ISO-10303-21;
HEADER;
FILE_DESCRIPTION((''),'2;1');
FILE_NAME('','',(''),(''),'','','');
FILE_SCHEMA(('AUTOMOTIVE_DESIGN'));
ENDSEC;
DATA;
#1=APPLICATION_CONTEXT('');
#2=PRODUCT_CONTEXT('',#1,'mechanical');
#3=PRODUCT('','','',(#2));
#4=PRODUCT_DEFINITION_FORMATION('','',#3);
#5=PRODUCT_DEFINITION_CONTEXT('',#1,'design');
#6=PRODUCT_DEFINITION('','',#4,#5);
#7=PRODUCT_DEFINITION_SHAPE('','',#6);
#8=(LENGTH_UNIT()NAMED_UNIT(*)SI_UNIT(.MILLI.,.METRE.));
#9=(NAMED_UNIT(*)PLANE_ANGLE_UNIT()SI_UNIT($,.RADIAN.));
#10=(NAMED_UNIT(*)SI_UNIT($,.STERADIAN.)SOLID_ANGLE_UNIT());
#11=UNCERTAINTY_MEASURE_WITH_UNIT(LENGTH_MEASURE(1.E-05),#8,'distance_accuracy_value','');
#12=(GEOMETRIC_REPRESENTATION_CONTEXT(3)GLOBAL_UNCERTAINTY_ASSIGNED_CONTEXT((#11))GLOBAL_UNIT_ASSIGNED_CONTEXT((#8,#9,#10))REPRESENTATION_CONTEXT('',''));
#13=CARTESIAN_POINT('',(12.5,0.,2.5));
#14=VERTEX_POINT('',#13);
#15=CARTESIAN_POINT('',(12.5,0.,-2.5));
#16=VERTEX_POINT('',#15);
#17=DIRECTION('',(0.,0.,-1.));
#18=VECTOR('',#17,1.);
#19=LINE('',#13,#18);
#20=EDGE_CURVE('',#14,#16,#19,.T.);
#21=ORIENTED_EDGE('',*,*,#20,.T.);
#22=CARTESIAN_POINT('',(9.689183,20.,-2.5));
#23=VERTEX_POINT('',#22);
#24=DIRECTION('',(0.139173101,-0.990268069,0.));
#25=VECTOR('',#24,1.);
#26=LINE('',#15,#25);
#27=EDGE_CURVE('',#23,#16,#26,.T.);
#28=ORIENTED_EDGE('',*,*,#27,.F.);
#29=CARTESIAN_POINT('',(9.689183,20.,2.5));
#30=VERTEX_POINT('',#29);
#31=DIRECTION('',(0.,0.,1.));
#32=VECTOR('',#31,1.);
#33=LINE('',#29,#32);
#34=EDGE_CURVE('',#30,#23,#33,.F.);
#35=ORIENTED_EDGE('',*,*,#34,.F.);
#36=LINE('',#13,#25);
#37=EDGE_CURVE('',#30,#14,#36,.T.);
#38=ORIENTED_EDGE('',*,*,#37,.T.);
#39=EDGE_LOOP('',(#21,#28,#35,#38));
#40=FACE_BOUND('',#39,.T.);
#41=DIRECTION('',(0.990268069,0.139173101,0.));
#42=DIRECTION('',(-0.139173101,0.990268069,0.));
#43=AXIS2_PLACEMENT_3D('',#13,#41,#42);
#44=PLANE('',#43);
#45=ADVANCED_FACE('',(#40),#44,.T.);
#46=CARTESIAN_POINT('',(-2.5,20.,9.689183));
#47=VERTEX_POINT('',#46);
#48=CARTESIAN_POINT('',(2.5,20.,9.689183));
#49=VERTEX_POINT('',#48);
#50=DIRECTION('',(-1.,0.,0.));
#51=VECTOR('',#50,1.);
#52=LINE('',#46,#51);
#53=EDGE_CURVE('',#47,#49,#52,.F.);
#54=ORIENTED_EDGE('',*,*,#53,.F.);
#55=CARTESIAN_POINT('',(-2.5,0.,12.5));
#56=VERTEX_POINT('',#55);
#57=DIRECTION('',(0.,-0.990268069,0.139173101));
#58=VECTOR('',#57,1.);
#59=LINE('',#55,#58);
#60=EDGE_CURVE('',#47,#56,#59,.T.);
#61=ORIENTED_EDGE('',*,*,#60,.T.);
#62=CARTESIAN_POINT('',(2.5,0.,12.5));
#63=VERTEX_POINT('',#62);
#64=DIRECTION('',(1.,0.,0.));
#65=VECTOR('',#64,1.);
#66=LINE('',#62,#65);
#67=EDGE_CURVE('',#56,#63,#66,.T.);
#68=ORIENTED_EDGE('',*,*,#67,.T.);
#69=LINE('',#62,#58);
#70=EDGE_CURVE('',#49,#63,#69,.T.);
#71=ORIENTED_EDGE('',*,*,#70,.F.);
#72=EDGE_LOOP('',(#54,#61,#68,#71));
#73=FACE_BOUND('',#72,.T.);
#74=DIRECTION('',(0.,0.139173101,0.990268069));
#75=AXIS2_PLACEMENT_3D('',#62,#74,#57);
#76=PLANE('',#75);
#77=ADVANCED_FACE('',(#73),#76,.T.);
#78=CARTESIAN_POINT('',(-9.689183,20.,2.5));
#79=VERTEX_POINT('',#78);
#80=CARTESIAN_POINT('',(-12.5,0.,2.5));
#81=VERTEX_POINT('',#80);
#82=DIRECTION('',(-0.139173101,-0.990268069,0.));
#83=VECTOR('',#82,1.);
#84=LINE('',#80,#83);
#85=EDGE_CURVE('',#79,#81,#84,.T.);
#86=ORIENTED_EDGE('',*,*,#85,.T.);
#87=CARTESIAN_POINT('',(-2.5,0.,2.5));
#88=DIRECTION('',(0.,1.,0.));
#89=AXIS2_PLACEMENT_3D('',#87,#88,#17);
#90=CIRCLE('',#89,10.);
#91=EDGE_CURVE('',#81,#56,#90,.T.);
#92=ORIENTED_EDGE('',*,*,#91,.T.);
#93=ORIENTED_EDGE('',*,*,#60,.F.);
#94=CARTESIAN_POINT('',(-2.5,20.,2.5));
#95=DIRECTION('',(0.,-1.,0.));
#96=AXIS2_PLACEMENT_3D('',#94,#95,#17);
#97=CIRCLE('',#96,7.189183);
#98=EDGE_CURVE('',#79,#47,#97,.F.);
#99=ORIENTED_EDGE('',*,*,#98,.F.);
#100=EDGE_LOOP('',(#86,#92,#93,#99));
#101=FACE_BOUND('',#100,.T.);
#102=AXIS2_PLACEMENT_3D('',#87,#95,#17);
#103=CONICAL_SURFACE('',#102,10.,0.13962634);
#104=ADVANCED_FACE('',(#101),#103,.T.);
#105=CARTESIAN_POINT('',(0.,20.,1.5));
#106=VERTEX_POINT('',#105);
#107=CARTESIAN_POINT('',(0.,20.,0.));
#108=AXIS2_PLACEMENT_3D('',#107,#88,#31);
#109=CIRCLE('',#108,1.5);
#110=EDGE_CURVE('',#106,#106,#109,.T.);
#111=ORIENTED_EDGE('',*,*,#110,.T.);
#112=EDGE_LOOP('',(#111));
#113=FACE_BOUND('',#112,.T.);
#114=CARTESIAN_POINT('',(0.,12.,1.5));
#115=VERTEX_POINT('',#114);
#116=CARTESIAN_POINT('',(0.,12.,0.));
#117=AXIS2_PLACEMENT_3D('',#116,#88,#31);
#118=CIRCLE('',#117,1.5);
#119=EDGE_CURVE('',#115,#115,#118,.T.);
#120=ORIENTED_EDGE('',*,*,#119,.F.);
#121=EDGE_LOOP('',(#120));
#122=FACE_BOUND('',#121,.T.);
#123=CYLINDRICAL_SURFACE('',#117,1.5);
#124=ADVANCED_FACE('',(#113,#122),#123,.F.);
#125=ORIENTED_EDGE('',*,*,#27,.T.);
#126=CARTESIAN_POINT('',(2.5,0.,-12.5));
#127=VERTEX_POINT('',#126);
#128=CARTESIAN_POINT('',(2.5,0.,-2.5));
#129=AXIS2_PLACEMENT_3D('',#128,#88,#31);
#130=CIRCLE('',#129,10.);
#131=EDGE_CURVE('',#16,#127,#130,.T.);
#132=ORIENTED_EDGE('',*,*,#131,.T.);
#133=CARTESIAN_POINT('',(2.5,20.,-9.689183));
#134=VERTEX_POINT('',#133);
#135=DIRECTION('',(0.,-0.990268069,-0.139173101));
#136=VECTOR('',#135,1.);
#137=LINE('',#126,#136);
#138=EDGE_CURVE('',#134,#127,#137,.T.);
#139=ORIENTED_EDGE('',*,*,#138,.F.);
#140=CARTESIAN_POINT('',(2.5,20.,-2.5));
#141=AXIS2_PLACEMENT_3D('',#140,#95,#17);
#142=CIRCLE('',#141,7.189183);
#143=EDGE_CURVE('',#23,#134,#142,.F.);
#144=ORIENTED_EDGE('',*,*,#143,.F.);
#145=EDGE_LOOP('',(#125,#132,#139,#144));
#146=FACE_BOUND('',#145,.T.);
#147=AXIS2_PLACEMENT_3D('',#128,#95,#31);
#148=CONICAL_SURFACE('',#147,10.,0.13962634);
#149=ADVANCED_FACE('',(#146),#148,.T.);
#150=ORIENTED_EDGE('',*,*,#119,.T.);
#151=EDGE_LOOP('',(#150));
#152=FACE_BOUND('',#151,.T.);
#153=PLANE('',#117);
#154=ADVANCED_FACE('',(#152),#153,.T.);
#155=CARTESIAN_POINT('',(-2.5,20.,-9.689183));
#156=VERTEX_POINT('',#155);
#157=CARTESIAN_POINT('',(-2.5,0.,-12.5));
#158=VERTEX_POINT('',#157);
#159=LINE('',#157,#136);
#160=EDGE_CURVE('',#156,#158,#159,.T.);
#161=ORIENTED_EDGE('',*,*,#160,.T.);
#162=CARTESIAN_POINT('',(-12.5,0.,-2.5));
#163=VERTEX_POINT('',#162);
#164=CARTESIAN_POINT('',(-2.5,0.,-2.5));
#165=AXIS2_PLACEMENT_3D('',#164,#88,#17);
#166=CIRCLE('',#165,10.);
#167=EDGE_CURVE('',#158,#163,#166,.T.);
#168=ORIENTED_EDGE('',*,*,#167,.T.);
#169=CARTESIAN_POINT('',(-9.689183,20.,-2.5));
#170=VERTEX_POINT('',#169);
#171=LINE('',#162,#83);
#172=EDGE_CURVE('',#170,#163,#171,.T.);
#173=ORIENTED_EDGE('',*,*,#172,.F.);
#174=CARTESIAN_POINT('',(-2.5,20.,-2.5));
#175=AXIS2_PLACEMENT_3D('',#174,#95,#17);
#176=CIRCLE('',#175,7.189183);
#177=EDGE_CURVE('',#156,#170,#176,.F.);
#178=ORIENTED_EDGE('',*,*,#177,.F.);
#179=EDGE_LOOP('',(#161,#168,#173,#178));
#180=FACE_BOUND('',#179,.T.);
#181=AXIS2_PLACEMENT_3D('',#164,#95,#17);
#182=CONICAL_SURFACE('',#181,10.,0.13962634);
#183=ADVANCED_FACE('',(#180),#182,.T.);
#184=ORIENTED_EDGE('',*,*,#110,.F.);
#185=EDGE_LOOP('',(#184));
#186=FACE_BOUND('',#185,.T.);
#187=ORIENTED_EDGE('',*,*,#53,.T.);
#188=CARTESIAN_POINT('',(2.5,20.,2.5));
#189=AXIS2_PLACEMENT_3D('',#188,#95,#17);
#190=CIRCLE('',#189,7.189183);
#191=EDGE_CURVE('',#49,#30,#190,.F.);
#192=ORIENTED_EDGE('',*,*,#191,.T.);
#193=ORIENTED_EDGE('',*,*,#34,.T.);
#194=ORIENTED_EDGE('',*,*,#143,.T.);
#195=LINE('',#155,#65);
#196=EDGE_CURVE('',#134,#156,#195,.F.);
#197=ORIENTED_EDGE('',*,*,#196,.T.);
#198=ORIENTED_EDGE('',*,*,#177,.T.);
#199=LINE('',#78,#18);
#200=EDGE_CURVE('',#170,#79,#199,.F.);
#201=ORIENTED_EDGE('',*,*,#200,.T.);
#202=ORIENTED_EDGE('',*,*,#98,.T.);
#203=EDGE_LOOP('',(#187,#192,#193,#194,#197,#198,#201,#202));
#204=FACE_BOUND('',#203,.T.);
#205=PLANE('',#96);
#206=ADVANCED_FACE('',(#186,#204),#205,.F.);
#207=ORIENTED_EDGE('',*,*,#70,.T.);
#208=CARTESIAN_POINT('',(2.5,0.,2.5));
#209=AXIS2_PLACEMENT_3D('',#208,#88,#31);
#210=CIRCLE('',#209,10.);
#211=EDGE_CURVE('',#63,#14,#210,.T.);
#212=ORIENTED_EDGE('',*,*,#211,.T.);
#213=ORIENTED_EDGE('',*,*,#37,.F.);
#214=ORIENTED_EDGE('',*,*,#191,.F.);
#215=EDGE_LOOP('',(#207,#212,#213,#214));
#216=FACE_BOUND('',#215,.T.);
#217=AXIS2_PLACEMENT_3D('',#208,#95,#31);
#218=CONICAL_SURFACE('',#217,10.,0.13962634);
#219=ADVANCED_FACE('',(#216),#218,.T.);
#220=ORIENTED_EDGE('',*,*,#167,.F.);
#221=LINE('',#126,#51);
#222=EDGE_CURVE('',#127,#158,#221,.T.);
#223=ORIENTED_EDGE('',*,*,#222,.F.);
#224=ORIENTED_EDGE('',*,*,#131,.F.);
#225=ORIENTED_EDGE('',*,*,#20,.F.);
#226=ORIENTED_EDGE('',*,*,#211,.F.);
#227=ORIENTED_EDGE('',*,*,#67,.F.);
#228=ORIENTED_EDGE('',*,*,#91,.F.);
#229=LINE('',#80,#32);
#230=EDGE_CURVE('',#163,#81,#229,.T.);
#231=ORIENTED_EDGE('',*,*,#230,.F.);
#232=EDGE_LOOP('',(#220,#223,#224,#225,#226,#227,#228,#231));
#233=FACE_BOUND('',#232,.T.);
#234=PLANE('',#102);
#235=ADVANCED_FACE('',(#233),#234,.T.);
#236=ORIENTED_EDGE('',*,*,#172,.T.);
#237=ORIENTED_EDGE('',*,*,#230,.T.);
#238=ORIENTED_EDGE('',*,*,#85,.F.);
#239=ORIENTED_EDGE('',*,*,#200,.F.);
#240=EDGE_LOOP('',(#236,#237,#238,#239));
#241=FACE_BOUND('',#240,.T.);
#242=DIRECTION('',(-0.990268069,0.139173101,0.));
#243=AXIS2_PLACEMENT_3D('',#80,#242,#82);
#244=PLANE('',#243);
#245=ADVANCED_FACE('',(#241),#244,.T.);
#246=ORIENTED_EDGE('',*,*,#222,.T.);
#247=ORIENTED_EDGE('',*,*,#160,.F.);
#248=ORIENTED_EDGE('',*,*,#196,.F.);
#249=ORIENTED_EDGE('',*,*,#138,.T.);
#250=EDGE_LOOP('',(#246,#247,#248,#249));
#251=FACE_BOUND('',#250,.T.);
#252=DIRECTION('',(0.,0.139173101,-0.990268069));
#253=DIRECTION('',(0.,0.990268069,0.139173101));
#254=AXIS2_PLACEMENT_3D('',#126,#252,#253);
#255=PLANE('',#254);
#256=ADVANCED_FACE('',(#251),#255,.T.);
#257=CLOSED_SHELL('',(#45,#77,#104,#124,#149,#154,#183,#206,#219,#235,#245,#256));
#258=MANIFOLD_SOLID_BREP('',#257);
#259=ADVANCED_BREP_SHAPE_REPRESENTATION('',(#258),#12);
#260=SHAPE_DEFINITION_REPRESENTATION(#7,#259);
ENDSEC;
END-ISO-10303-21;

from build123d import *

# Parameters (mm, degrees)
BODY_DEPTH  = 20
BODY_TAPER  = 8
SKETCH2_R   = 1.5
SCREW_DEPTH = 8


with BuildPart() as part:
    # Sketch1 → Body (new body)
    with BuildSketch(Plane(origin=(0, 0, 0), x_dir=(1, 0, 0), z_dir=(0, 1, 0))):
        with BuildLine():
            ThreePointArc((2.5, -12.5), (9.571067812, -9.571067812), (12.5, -2.5))
            Line((12.5, -2.5), (12.5, 2.5))
            ThreePointArc((12.5, 2.5), (9.571067812, 9.571067812), (2.5, 12.5))
            Line((2.5, 12.5), (-2.5, 12.5))
            ThreePointArc((-2.5, 12.5), (-9.571067812, 9.571067812), (-12.5, 2.5))
            Line((-12.5, 2.5), (-12.5, -2.5))
            ThreePointArc((-12.5, -2.5), (-9.571067812, -9.571067812), (-2.5, -12.5))
            Line((-2.5, -12.5), (2.5, -12.5))
        make_face()
    extrude(amount=BODY_DEPTH, taper=BODY_TAPER)

    # Sketch2 → Screw (cut)
    with BuildSketch(Plane(origin=(0, 20, 0), x_dir=(1, 0, 0), z_dir=(0, 1, 0))):
        with Locations(Location((0, 0, 0), (0, 0, 270))):
            Circle(SKETCH2_R)
    extrude(amount=-SCREW_DEPTH, mode=Mode.SUBTRACT)


solid = part.part
